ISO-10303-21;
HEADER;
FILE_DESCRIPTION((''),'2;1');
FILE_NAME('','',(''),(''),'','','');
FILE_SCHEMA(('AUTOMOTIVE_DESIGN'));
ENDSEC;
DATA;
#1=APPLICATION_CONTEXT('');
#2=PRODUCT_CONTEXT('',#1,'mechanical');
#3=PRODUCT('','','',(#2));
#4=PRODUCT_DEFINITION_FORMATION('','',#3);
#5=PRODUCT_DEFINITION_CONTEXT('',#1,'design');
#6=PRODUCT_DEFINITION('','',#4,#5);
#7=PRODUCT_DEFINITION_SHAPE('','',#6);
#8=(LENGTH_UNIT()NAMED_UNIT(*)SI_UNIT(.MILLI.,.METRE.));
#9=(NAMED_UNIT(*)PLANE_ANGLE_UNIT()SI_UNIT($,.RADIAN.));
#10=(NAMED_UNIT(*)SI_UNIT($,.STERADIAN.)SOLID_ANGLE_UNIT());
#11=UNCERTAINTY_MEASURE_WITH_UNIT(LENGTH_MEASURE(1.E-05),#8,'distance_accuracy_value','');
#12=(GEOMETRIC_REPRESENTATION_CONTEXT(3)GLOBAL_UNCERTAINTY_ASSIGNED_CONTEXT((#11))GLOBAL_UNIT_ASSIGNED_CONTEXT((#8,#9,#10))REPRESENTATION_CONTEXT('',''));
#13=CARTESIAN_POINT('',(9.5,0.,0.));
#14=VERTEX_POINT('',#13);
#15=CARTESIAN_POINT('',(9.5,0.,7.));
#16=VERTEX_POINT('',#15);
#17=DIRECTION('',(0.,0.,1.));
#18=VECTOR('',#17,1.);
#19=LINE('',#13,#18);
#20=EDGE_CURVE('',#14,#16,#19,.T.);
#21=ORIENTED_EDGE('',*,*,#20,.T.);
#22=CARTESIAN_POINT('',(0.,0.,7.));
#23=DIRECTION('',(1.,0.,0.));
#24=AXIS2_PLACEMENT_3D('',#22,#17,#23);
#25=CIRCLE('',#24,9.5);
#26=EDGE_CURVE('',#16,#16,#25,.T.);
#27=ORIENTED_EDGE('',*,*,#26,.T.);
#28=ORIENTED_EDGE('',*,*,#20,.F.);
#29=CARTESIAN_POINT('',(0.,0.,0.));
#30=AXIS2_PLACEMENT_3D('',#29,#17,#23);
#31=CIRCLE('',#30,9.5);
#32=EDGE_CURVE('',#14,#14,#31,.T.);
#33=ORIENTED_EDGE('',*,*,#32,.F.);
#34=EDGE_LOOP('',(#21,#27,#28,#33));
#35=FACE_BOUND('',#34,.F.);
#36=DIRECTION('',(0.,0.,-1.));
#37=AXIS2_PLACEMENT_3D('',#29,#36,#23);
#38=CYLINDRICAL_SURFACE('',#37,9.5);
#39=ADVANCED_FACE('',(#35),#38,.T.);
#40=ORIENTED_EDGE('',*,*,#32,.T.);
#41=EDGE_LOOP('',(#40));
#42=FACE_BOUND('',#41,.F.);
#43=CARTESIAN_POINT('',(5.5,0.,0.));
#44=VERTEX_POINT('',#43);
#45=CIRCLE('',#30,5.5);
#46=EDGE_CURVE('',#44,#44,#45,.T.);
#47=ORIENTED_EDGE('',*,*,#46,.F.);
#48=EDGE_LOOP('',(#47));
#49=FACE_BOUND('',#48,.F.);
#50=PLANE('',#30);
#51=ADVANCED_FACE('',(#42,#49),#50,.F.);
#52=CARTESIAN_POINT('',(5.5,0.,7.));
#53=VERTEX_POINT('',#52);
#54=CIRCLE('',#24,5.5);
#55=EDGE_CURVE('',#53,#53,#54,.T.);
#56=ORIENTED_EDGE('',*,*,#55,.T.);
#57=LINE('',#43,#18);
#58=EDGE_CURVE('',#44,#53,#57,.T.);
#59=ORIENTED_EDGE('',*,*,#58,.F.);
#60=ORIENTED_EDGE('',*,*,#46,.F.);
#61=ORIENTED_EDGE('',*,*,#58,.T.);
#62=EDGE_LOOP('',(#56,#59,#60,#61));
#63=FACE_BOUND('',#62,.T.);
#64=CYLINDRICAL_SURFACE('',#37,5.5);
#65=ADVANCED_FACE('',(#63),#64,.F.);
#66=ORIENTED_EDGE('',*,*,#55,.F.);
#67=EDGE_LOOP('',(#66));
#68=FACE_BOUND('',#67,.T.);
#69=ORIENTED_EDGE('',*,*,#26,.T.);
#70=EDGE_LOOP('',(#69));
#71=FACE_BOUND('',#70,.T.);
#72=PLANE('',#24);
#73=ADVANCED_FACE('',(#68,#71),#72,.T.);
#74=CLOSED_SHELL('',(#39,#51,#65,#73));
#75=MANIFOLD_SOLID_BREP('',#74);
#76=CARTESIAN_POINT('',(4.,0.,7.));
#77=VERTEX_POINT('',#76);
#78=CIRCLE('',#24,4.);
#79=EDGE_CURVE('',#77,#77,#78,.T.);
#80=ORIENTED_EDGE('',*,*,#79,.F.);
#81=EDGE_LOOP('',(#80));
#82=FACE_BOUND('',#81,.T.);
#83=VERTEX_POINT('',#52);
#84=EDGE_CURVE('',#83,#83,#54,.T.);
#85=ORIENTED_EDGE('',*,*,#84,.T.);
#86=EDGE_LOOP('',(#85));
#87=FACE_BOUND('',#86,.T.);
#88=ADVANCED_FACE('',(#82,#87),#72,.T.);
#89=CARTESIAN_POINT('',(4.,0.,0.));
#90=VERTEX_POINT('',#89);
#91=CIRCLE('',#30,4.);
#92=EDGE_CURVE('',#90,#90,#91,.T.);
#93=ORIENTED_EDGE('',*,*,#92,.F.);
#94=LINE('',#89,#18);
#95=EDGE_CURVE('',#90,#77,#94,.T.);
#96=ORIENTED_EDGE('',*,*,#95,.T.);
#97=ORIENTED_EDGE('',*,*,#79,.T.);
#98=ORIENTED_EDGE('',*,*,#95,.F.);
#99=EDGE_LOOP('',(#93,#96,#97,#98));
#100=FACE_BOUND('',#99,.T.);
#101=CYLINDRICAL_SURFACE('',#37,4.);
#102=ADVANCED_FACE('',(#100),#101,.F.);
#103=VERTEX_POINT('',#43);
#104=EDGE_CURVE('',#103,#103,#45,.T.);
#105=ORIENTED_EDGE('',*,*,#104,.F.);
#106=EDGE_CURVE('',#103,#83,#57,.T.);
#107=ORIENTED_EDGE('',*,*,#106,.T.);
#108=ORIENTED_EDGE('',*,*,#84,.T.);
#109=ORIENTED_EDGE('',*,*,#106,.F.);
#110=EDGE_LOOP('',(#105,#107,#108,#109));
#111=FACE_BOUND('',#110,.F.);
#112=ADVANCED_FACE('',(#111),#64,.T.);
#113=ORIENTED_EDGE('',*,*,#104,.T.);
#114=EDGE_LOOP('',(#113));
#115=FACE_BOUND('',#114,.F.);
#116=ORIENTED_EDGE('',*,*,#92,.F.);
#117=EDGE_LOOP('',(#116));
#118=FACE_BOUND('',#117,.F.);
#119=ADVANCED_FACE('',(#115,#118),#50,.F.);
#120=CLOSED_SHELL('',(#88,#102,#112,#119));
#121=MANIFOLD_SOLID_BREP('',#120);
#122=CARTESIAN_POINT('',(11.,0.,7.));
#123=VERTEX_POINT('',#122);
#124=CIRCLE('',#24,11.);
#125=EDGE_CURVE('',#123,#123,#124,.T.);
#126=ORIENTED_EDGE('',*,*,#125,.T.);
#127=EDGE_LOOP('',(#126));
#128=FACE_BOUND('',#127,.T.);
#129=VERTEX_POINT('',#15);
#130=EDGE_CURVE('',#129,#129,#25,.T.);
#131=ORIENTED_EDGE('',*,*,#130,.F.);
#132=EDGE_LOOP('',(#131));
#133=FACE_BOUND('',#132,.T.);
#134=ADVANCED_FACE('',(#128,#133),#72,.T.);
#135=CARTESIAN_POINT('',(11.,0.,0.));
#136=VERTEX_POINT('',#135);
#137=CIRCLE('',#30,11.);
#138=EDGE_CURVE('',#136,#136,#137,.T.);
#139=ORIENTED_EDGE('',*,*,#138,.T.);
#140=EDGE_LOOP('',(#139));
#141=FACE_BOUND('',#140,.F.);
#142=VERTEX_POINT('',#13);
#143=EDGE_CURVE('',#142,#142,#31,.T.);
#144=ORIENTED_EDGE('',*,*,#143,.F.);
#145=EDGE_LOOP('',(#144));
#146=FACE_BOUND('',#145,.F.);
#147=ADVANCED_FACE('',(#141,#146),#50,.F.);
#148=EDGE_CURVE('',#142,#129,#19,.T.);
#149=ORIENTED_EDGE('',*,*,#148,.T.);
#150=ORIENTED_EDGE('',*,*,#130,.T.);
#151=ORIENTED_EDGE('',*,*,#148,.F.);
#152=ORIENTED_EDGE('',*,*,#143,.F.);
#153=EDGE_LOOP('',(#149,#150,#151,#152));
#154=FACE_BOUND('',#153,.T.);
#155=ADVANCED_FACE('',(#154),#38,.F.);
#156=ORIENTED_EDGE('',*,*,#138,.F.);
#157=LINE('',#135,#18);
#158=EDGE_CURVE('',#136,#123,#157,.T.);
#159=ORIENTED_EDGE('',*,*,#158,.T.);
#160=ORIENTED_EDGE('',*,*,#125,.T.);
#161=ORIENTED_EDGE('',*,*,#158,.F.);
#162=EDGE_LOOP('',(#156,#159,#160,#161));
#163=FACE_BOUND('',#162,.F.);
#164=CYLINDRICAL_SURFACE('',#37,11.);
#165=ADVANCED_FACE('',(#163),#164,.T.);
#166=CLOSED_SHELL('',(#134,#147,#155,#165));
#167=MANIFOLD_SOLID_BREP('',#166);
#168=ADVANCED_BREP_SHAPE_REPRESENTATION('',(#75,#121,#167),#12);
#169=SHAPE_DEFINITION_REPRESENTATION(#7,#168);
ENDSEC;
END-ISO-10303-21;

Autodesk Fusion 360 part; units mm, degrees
sketch "Sketch1" plane through (0, 0, 0) normal (0, 0, 1) x (1, 0, 0)
  circle A0 centre (0, 0) radius 11
  circle A1 centre (0, 0) radius 9.5
  circle A2 centre (0, 0) radius 4
  circle A3 centre (0, 0) radius 5.5
  dimension "d1" = 22
  dimension "d2" = -1.5
  dimension "d3" = 8
  dimension "d4" = 1.5
extrude "Extrude1" add sketch "Sketch1" along normal blind 7 makes body 1 at (5.4727, -0.5476, 4.6667) makes body 2 at (10.9453, -1.0952, 4.6667)
extrude "Extrude2" add sketch "Sketch1" along normal blind 7 separate body contours A1 makes body 3
